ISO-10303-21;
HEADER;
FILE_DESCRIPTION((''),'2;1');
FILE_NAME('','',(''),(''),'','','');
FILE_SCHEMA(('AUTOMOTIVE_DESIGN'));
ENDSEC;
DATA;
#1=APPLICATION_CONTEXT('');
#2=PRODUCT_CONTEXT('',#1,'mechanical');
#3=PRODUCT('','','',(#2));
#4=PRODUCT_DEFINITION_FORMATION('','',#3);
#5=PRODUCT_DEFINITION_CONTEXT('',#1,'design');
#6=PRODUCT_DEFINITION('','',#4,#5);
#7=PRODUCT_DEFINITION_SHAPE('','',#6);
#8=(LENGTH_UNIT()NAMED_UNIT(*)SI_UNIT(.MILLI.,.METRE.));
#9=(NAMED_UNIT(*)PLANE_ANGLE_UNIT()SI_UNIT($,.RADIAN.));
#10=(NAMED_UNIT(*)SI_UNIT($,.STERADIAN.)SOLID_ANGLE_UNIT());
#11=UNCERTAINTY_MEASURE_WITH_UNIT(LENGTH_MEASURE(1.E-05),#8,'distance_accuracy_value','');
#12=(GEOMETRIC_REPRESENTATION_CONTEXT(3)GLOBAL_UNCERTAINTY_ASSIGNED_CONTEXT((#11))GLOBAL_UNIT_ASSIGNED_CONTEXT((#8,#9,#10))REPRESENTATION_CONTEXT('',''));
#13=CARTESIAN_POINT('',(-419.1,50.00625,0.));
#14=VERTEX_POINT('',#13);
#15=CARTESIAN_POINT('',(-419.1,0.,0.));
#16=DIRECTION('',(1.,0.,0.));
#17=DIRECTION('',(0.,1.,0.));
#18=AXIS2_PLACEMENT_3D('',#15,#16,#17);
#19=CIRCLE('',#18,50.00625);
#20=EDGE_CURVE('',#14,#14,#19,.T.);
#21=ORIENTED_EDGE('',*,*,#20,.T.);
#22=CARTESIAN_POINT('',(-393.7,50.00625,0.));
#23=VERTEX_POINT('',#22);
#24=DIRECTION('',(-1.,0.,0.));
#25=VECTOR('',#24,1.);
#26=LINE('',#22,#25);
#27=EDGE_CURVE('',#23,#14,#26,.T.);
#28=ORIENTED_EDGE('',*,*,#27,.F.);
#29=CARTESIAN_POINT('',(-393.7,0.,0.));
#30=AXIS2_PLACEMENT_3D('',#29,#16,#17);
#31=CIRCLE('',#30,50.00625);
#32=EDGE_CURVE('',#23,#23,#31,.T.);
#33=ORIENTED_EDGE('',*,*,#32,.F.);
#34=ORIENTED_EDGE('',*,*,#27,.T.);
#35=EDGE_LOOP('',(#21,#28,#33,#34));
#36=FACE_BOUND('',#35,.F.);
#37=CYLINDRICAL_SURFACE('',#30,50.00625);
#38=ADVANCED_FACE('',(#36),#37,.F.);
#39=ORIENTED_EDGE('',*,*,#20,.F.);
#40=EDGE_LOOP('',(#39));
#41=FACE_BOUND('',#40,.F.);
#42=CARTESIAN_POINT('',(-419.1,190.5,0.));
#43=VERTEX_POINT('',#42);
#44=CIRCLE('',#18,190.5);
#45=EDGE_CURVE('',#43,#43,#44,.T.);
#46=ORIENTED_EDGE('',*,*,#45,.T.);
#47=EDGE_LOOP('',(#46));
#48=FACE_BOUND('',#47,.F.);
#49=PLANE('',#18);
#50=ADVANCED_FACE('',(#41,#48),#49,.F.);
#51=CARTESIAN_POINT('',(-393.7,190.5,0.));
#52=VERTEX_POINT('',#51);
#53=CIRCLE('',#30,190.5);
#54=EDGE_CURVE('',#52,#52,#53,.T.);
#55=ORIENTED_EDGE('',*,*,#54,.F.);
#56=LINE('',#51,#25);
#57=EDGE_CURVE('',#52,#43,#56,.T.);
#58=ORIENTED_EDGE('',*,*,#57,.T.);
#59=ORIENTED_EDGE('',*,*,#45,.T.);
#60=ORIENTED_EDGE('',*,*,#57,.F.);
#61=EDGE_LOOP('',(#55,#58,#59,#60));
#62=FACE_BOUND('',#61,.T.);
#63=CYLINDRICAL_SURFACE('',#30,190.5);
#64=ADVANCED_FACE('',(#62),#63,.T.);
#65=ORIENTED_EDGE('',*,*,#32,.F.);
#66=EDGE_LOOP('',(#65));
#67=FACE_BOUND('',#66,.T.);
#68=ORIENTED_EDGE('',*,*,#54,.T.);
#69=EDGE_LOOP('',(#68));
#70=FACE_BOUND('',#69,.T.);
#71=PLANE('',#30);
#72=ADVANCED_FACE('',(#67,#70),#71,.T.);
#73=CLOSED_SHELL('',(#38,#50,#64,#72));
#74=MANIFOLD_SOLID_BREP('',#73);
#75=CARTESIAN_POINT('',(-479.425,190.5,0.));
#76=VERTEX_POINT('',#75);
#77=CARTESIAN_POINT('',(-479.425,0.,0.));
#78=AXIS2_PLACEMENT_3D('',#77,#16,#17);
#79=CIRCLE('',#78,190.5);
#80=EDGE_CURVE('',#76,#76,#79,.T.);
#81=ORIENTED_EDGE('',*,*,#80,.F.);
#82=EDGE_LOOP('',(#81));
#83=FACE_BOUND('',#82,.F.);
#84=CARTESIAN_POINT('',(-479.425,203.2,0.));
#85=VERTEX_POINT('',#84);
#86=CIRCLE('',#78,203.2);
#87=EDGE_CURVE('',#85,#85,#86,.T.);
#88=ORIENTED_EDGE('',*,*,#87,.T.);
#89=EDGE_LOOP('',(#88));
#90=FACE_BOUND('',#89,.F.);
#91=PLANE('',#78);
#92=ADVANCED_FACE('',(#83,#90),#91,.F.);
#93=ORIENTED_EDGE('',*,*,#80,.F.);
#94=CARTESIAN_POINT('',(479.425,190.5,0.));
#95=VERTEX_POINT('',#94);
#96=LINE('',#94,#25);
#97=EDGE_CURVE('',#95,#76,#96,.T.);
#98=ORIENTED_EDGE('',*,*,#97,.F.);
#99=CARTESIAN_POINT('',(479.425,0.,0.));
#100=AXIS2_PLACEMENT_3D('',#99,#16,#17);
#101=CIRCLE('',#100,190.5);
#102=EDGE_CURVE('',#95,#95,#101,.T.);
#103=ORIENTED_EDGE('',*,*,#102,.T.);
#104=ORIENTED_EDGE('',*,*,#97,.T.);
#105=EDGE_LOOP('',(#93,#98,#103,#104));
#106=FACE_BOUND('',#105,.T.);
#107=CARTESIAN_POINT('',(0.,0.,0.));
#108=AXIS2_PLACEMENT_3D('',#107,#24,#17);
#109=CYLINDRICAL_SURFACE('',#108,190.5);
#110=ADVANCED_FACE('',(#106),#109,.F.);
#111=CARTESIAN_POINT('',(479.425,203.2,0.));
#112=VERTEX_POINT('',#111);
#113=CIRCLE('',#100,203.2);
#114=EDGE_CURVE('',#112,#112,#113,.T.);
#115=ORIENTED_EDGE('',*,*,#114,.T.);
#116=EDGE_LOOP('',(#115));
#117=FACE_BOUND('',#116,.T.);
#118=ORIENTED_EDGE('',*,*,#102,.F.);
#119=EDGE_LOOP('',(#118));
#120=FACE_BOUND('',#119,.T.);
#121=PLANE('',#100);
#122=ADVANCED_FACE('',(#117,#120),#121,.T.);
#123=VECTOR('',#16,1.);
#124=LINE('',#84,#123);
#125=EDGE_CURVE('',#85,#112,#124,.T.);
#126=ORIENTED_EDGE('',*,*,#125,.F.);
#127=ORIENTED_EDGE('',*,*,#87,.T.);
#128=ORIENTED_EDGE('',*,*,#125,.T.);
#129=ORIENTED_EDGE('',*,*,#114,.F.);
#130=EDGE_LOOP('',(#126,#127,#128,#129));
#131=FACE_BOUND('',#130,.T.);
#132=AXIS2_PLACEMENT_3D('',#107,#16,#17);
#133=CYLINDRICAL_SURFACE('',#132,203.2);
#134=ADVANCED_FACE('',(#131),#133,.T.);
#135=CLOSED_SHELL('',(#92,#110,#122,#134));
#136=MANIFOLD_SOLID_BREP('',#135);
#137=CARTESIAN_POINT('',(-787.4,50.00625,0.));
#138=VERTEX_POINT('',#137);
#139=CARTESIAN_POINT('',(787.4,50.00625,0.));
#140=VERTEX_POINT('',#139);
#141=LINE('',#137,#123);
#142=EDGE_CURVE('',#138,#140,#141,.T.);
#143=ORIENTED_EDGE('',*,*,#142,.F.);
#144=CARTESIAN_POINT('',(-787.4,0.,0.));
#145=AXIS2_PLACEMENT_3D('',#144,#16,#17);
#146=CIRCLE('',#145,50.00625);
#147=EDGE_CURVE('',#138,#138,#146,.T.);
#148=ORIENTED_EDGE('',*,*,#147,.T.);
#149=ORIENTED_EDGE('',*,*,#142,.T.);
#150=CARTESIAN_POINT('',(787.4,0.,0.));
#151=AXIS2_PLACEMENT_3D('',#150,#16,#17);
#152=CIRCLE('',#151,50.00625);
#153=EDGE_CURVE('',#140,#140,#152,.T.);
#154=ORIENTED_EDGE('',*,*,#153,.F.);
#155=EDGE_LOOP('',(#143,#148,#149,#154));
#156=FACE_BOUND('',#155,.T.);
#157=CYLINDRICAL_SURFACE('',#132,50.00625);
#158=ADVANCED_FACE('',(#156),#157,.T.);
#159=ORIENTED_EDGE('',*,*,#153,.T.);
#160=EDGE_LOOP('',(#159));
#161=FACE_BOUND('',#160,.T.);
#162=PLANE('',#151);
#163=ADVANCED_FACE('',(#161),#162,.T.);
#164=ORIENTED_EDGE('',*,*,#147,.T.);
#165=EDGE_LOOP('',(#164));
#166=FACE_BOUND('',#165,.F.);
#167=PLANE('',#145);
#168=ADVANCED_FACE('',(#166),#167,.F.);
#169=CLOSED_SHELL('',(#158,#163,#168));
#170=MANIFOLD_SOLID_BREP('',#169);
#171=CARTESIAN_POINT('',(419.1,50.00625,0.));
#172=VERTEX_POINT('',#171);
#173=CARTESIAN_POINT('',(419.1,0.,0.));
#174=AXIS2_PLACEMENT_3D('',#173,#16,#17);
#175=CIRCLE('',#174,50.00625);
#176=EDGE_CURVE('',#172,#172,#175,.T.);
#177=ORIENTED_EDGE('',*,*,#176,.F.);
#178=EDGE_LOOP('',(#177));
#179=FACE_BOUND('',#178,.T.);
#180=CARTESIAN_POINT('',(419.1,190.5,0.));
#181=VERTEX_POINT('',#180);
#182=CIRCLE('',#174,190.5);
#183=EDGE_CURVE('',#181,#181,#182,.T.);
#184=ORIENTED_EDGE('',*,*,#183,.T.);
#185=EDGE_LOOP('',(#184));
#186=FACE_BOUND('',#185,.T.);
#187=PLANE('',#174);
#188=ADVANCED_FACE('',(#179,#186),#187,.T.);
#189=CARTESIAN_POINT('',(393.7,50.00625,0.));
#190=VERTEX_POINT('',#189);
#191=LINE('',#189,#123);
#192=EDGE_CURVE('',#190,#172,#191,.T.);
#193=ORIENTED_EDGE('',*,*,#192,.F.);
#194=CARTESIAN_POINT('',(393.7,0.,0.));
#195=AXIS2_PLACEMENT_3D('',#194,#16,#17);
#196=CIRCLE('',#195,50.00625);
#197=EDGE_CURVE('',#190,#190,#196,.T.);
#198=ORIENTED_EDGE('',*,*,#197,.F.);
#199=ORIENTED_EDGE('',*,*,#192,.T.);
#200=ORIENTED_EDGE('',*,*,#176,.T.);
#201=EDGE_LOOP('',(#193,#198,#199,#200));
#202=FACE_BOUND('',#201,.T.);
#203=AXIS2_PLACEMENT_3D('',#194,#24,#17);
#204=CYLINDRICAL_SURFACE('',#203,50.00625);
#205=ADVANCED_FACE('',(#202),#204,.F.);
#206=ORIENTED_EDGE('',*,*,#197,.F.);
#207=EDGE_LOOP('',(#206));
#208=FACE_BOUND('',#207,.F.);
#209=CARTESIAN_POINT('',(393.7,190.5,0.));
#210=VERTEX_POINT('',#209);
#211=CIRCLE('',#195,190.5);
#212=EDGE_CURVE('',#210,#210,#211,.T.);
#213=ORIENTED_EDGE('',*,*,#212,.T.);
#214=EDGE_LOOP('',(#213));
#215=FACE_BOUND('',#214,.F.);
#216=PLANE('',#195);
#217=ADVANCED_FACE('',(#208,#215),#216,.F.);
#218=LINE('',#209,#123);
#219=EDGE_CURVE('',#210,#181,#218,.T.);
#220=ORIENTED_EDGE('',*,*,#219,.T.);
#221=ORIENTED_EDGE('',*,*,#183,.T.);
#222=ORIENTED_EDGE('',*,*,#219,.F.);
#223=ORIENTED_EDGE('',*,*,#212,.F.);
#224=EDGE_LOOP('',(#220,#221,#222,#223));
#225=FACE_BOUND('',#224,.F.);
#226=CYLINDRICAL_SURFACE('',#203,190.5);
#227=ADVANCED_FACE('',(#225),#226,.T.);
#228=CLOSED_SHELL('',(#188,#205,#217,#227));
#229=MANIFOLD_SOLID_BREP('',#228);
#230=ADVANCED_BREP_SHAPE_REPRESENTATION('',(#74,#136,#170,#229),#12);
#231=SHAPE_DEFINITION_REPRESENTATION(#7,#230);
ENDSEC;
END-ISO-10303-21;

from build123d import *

# Parameters (mm, degrees)
F0_R     = 203.2
F0_R_2   = 190.5
F1_DEPTH = 479.425
F0_R_3   = 50.00625
F2_DEPTH = 787.4
F3_START = 393.7
F3_DEPTH = 25.4
F4_START = -393.7
F4_DEPTH = 25.4


with BuildPart() as f1:
    # F0 (on Right) → F1 (new body, symmetric)
    with BuildSketch(Plane.YZ):
        Circle(F0_R)
        Circle(F0_R_2, mode=Mode.SUBTRACT)
    extrude(amount=F1_DEPTH, both=True)


with BuildPart() as f2:
    # F0 (on Right) → F2 (new body, symmetric)
    with BuildSketch(Plane.YZ):
        Circle(F0_R_3)
    extrude(amount=F2_DEPTH, both=True)


with BuildPart() as f3:
    # F0 (on Right) → F3 (new body)
    with BuildSketch(Plane.YZ.offset(F3_START)):
        Circle(F0_R_2)
        Circle(F0_R_3, mode=Mode.SUBTRACT)
    extrude(amount=F3_DEPTH)


with BuildPart() as f4:
    # F0 (on Right) → F4 (new body)
    with BuildSketch(Plane.YZ.offset(F4_START)):
        Circle(F0_R_2)
        Circle(F0_R_3, mode=Mode.SUBTRACT)
    extrude(amount=-F4_DEPTH)


solid = Compound([f1.part, f2.part, f3.part, f4.part])
